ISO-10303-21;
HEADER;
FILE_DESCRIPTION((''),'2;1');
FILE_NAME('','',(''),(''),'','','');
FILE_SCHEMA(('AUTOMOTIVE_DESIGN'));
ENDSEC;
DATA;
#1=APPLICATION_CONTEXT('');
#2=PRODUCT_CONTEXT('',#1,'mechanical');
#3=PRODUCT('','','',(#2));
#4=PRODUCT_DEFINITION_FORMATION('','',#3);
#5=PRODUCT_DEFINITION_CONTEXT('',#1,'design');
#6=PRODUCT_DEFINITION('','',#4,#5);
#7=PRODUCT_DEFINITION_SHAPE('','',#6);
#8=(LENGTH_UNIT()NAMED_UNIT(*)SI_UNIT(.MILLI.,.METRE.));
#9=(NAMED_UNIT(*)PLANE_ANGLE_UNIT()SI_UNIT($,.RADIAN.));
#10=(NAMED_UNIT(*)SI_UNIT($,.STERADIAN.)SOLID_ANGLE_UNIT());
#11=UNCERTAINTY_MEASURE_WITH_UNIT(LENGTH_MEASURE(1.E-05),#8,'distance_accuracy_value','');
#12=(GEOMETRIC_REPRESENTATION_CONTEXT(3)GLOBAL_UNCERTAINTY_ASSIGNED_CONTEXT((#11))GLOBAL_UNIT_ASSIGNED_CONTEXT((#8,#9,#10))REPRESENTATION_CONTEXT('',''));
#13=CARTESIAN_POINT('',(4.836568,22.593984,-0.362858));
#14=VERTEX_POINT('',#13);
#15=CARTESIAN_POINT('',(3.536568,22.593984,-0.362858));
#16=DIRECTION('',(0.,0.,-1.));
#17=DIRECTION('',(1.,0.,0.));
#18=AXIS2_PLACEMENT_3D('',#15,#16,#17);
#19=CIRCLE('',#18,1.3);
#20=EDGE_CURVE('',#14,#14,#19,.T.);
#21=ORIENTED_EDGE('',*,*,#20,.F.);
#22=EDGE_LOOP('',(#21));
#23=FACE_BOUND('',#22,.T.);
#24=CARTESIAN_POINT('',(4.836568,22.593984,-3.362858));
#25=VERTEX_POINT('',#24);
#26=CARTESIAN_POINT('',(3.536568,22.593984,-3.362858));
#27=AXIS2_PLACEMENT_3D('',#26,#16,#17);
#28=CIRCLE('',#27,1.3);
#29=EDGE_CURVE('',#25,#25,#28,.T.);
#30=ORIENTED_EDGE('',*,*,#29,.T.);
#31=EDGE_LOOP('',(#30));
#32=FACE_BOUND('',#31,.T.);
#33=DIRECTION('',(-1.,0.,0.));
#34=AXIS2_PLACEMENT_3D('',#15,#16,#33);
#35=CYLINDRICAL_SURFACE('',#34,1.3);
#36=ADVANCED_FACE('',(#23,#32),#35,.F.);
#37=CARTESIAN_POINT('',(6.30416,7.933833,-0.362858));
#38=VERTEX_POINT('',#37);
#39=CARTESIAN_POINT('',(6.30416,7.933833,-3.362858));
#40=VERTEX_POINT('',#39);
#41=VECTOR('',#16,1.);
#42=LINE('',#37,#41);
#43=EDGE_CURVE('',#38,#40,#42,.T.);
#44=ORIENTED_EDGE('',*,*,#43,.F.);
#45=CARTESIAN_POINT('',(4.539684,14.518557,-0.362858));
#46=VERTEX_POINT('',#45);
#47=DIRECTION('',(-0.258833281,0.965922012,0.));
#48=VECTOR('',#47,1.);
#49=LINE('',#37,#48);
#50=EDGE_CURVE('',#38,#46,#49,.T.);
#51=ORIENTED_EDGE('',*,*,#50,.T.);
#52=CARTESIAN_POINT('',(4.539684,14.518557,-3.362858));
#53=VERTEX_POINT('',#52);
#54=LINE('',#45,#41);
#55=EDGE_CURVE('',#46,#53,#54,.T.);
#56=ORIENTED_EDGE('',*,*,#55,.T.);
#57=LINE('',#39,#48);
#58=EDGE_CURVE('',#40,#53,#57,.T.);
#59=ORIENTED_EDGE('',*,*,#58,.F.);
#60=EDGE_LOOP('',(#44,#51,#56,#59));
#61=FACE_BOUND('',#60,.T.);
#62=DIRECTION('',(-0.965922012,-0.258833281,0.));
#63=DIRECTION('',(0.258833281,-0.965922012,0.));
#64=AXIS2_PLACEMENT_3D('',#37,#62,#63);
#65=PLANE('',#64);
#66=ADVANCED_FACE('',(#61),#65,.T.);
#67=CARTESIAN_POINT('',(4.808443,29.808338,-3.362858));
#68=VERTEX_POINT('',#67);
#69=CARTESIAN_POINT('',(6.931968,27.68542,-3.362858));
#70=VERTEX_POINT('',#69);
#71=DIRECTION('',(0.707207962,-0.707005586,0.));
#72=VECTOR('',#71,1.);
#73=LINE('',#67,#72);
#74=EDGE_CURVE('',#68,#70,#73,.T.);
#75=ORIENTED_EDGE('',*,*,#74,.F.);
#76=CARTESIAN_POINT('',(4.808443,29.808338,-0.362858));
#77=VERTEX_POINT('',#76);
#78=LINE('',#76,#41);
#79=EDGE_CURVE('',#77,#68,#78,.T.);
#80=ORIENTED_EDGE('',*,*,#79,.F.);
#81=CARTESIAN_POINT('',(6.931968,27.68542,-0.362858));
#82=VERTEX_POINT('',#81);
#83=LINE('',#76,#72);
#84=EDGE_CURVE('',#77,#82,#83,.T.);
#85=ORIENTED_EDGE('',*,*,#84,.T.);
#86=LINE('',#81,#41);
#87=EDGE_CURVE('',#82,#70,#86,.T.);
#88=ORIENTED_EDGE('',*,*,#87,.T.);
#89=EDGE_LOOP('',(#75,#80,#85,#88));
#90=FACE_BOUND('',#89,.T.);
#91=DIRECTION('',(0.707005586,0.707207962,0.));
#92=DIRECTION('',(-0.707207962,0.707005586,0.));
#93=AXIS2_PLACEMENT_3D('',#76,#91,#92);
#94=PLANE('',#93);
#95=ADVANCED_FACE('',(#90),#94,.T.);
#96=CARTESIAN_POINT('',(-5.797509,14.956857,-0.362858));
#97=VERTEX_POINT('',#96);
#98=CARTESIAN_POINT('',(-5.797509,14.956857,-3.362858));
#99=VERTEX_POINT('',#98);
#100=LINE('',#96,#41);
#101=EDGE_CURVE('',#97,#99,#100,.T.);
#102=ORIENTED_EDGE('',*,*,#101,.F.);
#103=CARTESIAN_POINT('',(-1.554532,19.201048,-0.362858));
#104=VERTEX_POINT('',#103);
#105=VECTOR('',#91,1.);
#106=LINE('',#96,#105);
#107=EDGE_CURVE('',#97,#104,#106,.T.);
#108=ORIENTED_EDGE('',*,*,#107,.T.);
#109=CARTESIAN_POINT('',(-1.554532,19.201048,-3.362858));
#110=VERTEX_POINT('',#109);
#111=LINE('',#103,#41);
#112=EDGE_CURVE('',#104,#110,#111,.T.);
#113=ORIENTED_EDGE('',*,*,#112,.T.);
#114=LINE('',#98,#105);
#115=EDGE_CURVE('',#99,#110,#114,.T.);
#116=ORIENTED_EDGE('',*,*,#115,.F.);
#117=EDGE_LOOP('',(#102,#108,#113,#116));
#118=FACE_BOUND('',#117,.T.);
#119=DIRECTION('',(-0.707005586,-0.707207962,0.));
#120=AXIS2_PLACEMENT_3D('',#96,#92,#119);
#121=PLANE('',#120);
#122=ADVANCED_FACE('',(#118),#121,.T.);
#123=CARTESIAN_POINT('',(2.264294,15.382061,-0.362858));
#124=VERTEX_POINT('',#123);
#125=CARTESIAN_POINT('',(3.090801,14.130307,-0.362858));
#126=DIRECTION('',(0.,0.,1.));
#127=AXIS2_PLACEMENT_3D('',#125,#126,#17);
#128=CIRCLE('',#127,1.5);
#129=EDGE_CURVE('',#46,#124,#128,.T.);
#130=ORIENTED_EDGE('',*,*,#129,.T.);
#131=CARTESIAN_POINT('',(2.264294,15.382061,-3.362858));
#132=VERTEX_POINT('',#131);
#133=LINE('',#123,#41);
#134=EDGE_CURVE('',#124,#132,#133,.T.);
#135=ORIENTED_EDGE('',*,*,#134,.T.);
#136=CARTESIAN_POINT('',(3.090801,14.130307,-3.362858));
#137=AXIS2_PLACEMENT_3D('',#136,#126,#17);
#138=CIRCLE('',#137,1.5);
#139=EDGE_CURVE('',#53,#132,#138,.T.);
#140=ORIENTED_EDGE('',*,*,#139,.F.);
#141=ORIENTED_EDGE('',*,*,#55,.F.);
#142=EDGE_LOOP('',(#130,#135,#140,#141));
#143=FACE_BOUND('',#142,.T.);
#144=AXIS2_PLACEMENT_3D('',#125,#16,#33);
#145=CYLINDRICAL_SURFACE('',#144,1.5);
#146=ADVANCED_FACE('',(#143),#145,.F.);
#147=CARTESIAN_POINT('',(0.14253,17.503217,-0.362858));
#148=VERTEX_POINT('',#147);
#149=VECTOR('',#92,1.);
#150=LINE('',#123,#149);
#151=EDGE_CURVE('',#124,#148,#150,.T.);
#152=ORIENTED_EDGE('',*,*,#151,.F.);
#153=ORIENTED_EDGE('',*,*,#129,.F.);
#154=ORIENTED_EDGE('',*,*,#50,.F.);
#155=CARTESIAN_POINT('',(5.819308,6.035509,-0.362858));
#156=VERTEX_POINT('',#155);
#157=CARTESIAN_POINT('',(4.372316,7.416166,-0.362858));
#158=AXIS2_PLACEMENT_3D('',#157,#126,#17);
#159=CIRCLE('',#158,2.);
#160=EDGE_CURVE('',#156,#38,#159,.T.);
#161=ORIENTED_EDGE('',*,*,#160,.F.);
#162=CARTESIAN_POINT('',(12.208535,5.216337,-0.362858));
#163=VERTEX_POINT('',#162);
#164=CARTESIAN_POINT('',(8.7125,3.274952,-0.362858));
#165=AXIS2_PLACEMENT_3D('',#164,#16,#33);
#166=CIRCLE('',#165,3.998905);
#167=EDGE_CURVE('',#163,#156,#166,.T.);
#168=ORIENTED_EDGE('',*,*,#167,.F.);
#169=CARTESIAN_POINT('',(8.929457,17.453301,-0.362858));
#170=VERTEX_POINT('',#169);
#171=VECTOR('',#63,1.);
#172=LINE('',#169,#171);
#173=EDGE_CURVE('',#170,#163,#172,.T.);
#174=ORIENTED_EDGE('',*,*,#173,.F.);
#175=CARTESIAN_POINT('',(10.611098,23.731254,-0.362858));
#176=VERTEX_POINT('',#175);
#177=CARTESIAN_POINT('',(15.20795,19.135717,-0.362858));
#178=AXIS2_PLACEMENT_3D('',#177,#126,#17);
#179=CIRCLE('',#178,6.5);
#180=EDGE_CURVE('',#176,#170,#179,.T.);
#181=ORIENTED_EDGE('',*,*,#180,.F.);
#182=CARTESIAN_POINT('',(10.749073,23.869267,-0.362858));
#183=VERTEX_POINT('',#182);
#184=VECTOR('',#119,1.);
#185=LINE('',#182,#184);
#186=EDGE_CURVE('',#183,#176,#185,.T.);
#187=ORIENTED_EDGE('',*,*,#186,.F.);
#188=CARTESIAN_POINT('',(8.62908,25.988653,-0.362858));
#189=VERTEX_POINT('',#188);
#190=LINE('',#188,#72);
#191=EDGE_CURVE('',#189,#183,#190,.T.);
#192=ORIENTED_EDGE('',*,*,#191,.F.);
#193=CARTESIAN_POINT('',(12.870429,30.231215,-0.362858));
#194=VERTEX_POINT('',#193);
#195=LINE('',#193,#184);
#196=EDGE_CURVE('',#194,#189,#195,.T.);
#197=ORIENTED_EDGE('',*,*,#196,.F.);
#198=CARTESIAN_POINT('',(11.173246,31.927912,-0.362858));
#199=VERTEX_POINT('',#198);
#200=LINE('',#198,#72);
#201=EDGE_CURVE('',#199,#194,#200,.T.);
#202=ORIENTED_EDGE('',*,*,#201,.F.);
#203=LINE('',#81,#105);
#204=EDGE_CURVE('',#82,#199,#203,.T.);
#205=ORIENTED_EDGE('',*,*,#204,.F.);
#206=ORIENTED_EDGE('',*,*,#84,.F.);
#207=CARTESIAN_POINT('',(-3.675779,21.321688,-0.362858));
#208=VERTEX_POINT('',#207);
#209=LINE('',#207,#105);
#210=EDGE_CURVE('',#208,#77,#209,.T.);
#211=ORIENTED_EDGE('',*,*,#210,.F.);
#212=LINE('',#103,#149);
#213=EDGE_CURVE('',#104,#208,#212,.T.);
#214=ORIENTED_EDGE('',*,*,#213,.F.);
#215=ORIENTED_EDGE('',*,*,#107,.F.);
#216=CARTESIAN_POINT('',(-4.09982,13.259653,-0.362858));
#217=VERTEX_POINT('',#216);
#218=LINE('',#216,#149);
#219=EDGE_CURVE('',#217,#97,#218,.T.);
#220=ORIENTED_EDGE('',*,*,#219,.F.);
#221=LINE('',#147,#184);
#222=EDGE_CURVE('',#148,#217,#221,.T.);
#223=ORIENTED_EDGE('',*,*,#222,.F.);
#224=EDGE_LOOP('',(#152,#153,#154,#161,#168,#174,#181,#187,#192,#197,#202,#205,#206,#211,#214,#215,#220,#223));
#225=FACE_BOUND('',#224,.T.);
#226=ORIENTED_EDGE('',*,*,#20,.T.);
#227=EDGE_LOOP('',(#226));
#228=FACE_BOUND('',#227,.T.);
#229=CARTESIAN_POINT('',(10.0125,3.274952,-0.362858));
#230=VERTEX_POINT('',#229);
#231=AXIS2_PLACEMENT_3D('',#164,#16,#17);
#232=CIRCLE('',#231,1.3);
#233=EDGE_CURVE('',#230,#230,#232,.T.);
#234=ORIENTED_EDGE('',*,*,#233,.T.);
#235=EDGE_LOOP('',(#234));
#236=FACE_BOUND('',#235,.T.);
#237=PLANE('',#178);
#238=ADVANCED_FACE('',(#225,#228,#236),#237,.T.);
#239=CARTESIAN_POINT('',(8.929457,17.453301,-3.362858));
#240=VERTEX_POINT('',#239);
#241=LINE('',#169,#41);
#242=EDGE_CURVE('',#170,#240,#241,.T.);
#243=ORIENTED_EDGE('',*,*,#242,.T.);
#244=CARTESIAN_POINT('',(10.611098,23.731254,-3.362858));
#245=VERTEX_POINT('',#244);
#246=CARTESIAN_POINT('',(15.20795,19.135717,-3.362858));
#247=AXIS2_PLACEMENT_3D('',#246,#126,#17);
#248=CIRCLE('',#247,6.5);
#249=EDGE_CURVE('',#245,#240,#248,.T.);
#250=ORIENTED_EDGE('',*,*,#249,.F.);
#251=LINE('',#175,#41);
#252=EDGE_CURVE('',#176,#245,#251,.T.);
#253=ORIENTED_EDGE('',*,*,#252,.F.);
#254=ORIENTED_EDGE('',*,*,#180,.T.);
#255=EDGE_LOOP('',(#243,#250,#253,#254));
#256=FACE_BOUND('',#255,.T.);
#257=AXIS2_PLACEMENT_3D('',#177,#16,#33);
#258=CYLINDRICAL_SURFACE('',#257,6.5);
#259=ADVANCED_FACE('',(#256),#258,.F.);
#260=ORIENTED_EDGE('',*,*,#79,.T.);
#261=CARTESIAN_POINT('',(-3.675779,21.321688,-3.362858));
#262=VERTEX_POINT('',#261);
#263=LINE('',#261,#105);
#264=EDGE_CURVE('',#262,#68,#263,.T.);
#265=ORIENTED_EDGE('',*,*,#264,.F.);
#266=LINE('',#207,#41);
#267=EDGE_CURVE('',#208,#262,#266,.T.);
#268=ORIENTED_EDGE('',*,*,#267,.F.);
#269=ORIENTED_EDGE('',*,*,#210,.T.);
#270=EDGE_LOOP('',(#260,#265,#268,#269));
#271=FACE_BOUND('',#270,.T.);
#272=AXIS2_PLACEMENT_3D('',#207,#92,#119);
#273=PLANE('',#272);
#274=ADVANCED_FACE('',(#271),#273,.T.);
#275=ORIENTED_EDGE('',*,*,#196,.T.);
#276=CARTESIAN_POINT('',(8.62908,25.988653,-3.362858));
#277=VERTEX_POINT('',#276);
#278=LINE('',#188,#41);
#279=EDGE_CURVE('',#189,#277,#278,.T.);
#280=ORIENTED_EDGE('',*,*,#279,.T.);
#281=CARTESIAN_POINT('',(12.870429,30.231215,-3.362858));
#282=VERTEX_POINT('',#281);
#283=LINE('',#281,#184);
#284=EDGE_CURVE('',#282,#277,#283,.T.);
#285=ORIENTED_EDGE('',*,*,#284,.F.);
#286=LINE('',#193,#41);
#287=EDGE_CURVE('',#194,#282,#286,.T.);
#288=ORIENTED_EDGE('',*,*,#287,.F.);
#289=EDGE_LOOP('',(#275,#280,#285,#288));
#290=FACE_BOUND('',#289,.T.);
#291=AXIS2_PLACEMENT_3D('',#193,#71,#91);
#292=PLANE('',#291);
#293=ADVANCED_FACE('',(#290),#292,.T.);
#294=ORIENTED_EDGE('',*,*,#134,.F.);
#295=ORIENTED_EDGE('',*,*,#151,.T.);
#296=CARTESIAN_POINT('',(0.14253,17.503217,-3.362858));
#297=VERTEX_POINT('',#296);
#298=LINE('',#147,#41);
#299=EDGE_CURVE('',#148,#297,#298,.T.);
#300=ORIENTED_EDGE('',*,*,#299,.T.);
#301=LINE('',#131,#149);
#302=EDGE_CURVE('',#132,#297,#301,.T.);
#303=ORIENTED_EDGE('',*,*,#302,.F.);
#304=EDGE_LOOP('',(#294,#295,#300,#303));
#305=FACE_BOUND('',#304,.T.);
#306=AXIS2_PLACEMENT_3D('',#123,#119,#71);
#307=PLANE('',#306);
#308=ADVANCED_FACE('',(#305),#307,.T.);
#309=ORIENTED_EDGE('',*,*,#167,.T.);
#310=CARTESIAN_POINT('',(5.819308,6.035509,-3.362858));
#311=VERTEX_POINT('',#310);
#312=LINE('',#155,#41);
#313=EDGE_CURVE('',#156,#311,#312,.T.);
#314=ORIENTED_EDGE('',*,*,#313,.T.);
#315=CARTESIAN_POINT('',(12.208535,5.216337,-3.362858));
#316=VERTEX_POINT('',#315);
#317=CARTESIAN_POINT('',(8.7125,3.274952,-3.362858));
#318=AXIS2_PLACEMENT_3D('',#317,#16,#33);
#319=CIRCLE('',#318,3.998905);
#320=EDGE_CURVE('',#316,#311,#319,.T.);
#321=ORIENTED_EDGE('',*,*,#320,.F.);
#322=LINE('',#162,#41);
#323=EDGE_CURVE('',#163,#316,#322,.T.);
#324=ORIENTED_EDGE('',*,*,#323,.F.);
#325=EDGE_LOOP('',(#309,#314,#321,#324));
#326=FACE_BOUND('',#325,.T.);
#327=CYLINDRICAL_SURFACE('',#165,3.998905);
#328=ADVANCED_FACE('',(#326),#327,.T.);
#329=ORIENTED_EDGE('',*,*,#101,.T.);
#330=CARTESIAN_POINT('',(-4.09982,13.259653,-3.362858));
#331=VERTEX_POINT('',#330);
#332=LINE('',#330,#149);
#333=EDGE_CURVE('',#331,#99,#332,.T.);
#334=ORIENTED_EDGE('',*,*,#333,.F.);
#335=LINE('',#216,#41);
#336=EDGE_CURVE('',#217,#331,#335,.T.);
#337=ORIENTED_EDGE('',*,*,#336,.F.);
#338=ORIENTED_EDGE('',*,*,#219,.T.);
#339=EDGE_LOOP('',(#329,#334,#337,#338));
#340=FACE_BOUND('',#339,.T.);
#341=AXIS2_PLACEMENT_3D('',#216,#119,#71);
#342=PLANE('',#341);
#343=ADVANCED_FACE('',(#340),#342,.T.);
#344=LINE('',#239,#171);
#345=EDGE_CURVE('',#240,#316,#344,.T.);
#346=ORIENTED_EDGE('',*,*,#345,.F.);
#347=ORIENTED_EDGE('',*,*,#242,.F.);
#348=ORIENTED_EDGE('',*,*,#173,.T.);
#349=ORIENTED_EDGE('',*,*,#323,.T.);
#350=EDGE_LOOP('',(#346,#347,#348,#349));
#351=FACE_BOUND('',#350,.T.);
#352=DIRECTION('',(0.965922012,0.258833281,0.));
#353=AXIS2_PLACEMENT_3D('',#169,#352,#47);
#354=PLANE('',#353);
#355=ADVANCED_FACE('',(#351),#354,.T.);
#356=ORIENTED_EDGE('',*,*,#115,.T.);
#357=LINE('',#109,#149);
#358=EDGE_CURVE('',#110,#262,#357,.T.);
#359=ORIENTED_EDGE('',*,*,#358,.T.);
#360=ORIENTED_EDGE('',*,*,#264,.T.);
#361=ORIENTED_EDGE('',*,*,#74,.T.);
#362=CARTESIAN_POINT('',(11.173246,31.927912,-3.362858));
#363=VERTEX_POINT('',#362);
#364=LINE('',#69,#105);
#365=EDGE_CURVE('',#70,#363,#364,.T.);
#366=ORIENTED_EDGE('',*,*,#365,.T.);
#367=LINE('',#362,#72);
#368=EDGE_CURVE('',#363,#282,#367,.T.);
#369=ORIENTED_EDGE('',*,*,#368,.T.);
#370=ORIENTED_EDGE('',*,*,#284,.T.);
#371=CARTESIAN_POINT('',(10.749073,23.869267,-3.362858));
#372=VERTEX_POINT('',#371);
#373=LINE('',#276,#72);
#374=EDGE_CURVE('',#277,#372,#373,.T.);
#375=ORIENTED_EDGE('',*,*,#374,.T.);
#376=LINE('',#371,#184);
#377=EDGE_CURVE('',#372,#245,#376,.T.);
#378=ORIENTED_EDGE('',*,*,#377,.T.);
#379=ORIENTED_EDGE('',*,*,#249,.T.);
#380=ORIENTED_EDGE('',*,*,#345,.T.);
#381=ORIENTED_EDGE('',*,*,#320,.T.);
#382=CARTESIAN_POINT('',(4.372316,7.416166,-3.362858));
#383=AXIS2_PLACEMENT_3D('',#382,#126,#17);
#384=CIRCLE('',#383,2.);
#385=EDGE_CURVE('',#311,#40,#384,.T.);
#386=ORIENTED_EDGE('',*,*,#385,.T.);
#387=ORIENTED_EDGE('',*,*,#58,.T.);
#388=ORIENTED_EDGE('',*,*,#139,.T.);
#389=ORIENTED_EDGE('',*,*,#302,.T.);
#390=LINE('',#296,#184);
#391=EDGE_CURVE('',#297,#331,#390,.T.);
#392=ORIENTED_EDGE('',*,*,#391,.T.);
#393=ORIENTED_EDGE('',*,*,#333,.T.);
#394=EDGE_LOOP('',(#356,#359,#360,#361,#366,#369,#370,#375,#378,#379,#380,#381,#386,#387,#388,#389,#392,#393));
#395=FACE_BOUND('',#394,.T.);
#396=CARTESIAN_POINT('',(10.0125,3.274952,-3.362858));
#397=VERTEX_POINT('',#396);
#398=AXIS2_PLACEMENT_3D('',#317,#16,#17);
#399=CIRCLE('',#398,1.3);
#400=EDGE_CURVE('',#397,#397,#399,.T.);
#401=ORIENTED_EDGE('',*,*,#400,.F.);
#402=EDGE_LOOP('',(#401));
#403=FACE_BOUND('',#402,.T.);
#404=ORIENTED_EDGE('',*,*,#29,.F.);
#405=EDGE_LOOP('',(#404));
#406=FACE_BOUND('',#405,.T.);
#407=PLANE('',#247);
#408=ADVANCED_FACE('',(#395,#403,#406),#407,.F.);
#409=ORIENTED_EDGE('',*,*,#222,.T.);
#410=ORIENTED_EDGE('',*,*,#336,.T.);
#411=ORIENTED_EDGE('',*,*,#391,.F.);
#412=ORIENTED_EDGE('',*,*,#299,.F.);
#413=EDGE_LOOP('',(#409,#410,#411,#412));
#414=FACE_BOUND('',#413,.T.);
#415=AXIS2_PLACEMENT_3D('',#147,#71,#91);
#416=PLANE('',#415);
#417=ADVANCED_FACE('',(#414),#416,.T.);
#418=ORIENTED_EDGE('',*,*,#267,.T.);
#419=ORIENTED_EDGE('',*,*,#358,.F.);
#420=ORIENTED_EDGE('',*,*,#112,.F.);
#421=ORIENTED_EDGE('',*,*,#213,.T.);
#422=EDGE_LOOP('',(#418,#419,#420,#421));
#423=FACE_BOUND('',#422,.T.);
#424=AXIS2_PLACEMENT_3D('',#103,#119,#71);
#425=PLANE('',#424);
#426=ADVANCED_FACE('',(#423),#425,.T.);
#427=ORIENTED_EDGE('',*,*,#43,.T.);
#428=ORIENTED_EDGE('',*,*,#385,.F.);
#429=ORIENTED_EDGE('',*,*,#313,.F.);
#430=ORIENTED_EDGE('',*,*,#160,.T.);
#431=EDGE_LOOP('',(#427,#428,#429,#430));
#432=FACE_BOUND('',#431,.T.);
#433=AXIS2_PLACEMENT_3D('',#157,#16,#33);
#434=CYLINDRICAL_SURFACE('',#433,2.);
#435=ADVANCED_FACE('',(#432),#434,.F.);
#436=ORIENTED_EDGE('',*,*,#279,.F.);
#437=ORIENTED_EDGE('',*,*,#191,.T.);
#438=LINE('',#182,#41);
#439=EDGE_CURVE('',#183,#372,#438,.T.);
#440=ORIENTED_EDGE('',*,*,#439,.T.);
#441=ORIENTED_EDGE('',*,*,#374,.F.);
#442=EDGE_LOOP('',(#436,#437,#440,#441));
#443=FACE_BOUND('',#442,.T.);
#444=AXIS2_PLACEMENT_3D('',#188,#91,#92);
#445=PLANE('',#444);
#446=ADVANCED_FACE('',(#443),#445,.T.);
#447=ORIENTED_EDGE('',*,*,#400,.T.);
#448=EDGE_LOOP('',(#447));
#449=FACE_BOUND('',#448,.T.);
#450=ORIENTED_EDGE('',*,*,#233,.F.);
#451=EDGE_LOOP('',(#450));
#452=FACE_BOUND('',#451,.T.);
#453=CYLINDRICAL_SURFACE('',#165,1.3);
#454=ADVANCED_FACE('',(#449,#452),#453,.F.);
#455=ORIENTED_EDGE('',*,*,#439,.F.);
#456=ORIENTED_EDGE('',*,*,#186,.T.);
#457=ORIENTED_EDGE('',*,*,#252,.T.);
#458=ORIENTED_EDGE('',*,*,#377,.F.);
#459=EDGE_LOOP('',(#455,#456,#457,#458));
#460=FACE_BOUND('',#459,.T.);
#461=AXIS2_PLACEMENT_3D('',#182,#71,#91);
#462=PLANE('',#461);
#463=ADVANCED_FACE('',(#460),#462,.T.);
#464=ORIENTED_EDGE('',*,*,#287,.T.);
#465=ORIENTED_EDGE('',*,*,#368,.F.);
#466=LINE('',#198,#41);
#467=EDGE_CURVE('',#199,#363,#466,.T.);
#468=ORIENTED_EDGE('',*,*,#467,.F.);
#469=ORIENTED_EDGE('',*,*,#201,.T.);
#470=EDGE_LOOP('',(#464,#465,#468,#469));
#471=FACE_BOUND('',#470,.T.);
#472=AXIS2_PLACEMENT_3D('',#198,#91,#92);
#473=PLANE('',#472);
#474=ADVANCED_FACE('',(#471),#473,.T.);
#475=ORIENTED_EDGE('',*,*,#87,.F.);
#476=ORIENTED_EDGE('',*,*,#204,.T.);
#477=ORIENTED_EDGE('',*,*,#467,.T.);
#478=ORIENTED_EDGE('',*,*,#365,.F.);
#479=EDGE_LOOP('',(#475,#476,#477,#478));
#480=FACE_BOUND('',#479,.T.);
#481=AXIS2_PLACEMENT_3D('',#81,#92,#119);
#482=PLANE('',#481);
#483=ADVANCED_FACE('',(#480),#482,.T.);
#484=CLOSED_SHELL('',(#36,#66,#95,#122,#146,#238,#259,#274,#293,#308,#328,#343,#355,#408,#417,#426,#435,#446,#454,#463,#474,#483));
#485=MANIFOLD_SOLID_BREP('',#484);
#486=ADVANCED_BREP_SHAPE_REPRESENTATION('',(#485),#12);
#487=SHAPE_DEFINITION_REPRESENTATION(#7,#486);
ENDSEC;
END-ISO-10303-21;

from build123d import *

# Parameters (mm, degrees)
SKETCH_1_R      = 1.3
EXTRUDE_1_DEPTH = 3


with BuildPart() as part:
    # 草图1 → 凸台-拉伸1 (new body)
    with BuildSketch(Plane(origin=(0, 0, -3.362857667), x_dir=(-1, 0, 0), z_dir=(0, 0, -1))):
        with BuildLine():
            Line((-8.929456987, 17.45330102), (-12.208534908, 5.216337034))
            ThreePointArc((-12.208534908, 5.216337034), (-8.203956956, -0.691485495), (-5.819308033, 6.03550946))
            ThreePointArc((-5.819308033, 6.03550946), (-6.310108859, 6.921233679), (-6.304159928, 7.933833034))
            Line((-6.304159928, 7.933833034), (-4.539684391, 14.518557193))
            ThreePointArc((-4.539684391, 14.518557193), (-3.62301138, 15.532716808), (-2.264294404, 15.382060533))
            Line((-2.264294404, 15.382060533), (-0.142530428, 17.503217343))
            Line((-0.142530428, 17.503217343), (4.099819599, 13.25965297))
            Line((4.099819599, 13.25965297), (5.797509256, 14.956856814))
            Line((5.797509256, 14.956856814), (1.554532399, 19.201048196))
            Line((1.554532399, 19.201048196), (3.675778765, 21.321687543))
            Line((3.675778765, 21.321687543), (-4.808443123, 29.808337985))
            Line((-4.808443123, 29.808337985), (-6.931968366, 27.685420414))
            Line((-6.931968366, 27.685420414), (-11.173246227, 31.927912314))
            Line((-11.173246227, 31.927912314), (-12.870428791, 30.231215419))
            Line((-12.870428791, 30.231215419), (-8.629080401, 25.98865297))
            Line((-8.629080401, 25.98865297), (-10.749072595, 23.869267436))
            Line((-10.749072595, 23.869267436), (-10.611098311, 23.731253658))
            ThreePointArc((-10.611098311, 23.731253658), (-8.929299443, 20.817545637), (-8.929456987, 17.45330102))
        make_face()
        with Locations(Location((-3.536567574, 22.593983824, 0), (0, 0, 180))):
            Circle(SKETCH_1_R, mode=Mode.SUBTRACT)
        with Locations(Location((-8.71249984, 3.274951558, 0), (0, 0, 180))):
            Circle(SKETCH_1_R, mode=Mode.SUBTRACT)
    extrude(amount=-EXTRUDE_1_DEPTH)


solid = part.part
